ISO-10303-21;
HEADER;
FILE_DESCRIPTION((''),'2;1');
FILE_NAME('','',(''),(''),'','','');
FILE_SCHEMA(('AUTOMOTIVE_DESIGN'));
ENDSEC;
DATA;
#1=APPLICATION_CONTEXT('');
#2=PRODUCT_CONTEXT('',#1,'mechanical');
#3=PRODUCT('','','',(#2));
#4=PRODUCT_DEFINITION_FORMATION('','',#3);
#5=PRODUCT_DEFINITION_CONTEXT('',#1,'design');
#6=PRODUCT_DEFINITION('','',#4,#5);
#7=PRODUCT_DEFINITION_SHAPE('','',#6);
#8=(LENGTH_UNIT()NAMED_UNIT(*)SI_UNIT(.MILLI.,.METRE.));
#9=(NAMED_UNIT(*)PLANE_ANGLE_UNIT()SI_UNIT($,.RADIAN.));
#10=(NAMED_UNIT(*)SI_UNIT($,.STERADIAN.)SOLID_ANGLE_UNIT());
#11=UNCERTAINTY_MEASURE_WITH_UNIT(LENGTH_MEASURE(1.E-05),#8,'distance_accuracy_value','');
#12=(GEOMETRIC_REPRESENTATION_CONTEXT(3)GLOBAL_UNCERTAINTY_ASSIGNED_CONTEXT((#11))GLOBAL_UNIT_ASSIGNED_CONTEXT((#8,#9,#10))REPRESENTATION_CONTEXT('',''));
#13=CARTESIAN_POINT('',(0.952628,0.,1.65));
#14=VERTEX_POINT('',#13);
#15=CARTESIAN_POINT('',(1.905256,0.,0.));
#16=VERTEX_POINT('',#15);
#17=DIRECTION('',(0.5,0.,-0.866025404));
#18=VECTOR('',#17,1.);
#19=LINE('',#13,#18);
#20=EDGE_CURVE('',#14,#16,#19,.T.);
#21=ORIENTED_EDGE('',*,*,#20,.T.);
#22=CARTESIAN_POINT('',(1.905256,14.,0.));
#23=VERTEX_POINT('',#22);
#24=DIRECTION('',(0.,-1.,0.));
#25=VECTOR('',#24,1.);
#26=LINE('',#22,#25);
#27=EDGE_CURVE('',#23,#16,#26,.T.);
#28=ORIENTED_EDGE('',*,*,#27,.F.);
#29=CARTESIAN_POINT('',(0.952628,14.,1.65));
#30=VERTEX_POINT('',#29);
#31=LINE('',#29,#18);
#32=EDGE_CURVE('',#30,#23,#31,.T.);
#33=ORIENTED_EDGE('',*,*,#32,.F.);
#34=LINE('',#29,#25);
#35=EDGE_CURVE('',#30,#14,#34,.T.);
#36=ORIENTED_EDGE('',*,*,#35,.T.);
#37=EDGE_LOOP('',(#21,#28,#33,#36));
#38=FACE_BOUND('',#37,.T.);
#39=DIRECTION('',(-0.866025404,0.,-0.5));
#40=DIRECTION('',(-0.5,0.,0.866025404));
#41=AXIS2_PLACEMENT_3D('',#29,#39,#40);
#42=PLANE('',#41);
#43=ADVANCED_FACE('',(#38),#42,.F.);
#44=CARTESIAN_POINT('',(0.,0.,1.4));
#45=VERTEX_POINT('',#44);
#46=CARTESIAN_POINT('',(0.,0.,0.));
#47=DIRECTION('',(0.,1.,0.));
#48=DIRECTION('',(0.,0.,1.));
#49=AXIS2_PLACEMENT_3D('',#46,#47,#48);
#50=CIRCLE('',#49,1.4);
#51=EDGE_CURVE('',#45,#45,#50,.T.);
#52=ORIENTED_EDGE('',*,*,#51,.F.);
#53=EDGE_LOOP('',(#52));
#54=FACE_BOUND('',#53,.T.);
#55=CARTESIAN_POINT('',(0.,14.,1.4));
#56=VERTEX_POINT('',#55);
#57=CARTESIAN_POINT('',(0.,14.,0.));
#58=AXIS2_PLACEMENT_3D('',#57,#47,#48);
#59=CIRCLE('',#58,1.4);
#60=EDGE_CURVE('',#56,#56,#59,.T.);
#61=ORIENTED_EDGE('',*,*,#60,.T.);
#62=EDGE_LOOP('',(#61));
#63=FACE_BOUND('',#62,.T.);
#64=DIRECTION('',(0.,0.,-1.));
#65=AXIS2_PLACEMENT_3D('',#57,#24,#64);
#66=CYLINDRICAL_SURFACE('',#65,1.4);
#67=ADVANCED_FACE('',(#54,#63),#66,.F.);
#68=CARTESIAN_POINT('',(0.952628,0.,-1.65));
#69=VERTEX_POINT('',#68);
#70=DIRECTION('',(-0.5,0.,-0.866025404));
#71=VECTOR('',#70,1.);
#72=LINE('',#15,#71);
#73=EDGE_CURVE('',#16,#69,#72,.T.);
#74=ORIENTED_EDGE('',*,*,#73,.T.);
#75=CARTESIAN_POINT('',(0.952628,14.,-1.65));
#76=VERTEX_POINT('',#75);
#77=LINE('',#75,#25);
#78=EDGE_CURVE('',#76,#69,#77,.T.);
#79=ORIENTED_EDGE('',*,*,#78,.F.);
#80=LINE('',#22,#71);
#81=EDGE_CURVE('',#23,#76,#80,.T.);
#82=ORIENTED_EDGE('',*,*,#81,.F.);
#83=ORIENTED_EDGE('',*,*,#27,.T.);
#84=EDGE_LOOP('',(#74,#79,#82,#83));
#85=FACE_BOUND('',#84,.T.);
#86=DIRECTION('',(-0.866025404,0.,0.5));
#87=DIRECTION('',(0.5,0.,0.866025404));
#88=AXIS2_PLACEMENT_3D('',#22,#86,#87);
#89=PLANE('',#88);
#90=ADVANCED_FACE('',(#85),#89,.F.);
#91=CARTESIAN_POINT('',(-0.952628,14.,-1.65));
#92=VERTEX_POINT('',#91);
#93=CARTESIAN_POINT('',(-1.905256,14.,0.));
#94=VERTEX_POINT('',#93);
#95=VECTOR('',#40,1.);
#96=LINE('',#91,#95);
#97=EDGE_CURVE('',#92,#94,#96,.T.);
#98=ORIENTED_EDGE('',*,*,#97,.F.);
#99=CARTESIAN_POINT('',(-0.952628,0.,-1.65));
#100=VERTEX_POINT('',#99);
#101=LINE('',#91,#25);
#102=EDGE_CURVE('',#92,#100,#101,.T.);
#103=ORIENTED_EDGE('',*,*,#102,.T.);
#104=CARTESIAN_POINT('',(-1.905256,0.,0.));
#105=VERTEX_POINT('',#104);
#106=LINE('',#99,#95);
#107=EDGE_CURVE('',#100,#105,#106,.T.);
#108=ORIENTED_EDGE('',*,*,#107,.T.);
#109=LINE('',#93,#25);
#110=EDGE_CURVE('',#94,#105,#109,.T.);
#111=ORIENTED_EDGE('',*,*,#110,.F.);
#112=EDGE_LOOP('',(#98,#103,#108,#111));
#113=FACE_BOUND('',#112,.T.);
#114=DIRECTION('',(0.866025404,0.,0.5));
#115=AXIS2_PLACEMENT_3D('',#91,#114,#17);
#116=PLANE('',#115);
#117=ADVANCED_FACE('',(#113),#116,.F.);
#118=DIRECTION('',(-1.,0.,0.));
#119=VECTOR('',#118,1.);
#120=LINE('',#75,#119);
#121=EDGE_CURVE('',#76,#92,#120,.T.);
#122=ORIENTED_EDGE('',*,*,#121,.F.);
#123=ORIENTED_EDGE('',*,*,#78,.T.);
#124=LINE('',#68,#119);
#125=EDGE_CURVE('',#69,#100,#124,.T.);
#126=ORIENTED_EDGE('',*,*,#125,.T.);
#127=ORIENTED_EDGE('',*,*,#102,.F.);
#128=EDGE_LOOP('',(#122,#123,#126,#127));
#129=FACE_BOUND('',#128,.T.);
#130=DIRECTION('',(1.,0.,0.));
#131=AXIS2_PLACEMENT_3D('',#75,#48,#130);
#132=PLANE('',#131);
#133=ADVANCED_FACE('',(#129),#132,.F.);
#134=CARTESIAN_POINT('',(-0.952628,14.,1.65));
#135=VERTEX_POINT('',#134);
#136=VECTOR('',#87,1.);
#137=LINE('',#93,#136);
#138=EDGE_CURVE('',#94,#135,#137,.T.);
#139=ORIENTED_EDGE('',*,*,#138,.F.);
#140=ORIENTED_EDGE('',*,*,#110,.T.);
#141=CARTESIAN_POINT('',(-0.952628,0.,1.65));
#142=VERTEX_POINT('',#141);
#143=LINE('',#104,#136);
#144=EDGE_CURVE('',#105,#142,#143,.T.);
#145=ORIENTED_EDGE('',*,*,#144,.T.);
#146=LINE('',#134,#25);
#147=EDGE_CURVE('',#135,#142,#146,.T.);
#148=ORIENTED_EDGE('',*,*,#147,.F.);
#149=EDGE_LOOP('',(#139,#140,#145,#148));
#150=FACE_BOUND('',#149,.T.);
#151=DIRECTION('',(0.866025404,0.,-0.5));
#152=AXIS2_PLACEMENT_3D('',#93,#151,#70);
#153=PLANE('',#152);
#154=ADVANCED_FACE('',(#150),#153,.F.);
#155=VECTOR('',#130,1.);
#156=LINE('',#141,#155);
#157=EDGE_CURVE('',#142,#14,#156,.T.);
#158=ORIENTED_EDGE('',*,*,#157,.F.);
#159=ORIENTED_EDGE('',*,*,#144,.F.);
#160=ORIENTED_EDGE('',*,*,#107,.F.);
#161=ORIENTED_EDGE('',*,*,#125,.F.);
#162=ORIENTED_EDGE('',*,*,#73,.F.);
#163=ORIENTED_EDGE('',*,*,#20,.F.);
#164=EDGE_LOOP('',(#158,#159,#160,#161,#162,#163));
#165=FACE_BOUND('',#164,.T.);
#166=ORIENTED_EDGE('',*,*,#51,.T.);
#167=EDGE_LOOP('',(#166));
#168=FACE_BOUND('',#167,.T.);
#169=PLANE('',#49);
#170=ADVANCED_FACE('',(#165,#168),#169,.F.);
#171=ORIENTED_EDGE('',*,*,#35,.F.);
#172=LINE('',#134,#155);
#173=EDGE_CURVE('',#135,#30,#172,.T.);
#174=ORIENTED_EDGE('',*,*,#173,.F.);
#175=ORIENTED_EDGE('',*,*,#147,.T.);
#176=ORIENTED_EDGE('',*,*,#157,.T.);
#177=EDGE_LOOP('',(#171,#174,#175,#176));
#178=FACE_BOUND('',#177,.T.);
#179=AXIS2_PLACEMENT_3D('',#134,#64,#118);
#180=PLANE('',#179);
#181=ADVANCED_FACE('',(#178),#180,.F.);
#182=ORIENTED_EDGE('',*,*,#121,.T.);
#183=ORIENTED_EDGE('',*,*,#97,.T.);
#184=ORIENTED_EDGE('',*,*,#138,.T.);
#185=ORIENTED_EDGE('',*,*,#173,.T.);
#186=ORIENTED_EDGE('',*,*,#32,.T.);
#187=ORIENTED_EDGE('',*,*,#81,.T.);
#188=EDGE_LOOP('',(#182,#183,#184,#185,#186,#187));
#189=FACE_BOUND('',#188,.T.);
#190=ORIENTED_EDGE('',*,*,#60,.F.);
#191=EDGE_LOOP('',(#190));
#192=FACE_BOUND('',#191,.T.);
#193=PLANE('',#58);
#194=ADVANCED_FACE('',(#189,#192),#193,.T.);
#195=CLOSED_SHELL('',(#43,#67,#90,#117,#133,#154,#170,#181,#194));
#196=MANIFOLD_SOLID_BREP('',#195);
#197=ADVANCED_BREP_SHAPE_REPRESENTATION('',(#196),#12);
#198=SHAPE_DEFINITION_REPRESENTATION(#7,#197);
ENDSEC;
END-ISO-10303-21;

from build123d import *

# Parameters (mm, degrees)
SKETCH1_R           = 1.4
BOSS_EXTRUDE1_DEPTH = 14


with BuildPart() as part:
    # Sketch1 → Boss-Extrude1 (new body)
    with BuildSketch(Plane(origin=(0, 0, 0), x_dir=(1, 0, 0), z_dir=(0, 1, 0))):
        Polygon((1.905255888, 0), (0.952627944, 1.65), (-0.952627944, 1.65), (-1.905255888, 0), (-0.952627944, -1.65), (0.952627944, -1.65), align=None)
        Circle(SKETCH1_R, mode=Mode.SUBTRACT)
    extrude(amount=BOSS_EXTRUDE1_DEPTH)


solid = part.part
